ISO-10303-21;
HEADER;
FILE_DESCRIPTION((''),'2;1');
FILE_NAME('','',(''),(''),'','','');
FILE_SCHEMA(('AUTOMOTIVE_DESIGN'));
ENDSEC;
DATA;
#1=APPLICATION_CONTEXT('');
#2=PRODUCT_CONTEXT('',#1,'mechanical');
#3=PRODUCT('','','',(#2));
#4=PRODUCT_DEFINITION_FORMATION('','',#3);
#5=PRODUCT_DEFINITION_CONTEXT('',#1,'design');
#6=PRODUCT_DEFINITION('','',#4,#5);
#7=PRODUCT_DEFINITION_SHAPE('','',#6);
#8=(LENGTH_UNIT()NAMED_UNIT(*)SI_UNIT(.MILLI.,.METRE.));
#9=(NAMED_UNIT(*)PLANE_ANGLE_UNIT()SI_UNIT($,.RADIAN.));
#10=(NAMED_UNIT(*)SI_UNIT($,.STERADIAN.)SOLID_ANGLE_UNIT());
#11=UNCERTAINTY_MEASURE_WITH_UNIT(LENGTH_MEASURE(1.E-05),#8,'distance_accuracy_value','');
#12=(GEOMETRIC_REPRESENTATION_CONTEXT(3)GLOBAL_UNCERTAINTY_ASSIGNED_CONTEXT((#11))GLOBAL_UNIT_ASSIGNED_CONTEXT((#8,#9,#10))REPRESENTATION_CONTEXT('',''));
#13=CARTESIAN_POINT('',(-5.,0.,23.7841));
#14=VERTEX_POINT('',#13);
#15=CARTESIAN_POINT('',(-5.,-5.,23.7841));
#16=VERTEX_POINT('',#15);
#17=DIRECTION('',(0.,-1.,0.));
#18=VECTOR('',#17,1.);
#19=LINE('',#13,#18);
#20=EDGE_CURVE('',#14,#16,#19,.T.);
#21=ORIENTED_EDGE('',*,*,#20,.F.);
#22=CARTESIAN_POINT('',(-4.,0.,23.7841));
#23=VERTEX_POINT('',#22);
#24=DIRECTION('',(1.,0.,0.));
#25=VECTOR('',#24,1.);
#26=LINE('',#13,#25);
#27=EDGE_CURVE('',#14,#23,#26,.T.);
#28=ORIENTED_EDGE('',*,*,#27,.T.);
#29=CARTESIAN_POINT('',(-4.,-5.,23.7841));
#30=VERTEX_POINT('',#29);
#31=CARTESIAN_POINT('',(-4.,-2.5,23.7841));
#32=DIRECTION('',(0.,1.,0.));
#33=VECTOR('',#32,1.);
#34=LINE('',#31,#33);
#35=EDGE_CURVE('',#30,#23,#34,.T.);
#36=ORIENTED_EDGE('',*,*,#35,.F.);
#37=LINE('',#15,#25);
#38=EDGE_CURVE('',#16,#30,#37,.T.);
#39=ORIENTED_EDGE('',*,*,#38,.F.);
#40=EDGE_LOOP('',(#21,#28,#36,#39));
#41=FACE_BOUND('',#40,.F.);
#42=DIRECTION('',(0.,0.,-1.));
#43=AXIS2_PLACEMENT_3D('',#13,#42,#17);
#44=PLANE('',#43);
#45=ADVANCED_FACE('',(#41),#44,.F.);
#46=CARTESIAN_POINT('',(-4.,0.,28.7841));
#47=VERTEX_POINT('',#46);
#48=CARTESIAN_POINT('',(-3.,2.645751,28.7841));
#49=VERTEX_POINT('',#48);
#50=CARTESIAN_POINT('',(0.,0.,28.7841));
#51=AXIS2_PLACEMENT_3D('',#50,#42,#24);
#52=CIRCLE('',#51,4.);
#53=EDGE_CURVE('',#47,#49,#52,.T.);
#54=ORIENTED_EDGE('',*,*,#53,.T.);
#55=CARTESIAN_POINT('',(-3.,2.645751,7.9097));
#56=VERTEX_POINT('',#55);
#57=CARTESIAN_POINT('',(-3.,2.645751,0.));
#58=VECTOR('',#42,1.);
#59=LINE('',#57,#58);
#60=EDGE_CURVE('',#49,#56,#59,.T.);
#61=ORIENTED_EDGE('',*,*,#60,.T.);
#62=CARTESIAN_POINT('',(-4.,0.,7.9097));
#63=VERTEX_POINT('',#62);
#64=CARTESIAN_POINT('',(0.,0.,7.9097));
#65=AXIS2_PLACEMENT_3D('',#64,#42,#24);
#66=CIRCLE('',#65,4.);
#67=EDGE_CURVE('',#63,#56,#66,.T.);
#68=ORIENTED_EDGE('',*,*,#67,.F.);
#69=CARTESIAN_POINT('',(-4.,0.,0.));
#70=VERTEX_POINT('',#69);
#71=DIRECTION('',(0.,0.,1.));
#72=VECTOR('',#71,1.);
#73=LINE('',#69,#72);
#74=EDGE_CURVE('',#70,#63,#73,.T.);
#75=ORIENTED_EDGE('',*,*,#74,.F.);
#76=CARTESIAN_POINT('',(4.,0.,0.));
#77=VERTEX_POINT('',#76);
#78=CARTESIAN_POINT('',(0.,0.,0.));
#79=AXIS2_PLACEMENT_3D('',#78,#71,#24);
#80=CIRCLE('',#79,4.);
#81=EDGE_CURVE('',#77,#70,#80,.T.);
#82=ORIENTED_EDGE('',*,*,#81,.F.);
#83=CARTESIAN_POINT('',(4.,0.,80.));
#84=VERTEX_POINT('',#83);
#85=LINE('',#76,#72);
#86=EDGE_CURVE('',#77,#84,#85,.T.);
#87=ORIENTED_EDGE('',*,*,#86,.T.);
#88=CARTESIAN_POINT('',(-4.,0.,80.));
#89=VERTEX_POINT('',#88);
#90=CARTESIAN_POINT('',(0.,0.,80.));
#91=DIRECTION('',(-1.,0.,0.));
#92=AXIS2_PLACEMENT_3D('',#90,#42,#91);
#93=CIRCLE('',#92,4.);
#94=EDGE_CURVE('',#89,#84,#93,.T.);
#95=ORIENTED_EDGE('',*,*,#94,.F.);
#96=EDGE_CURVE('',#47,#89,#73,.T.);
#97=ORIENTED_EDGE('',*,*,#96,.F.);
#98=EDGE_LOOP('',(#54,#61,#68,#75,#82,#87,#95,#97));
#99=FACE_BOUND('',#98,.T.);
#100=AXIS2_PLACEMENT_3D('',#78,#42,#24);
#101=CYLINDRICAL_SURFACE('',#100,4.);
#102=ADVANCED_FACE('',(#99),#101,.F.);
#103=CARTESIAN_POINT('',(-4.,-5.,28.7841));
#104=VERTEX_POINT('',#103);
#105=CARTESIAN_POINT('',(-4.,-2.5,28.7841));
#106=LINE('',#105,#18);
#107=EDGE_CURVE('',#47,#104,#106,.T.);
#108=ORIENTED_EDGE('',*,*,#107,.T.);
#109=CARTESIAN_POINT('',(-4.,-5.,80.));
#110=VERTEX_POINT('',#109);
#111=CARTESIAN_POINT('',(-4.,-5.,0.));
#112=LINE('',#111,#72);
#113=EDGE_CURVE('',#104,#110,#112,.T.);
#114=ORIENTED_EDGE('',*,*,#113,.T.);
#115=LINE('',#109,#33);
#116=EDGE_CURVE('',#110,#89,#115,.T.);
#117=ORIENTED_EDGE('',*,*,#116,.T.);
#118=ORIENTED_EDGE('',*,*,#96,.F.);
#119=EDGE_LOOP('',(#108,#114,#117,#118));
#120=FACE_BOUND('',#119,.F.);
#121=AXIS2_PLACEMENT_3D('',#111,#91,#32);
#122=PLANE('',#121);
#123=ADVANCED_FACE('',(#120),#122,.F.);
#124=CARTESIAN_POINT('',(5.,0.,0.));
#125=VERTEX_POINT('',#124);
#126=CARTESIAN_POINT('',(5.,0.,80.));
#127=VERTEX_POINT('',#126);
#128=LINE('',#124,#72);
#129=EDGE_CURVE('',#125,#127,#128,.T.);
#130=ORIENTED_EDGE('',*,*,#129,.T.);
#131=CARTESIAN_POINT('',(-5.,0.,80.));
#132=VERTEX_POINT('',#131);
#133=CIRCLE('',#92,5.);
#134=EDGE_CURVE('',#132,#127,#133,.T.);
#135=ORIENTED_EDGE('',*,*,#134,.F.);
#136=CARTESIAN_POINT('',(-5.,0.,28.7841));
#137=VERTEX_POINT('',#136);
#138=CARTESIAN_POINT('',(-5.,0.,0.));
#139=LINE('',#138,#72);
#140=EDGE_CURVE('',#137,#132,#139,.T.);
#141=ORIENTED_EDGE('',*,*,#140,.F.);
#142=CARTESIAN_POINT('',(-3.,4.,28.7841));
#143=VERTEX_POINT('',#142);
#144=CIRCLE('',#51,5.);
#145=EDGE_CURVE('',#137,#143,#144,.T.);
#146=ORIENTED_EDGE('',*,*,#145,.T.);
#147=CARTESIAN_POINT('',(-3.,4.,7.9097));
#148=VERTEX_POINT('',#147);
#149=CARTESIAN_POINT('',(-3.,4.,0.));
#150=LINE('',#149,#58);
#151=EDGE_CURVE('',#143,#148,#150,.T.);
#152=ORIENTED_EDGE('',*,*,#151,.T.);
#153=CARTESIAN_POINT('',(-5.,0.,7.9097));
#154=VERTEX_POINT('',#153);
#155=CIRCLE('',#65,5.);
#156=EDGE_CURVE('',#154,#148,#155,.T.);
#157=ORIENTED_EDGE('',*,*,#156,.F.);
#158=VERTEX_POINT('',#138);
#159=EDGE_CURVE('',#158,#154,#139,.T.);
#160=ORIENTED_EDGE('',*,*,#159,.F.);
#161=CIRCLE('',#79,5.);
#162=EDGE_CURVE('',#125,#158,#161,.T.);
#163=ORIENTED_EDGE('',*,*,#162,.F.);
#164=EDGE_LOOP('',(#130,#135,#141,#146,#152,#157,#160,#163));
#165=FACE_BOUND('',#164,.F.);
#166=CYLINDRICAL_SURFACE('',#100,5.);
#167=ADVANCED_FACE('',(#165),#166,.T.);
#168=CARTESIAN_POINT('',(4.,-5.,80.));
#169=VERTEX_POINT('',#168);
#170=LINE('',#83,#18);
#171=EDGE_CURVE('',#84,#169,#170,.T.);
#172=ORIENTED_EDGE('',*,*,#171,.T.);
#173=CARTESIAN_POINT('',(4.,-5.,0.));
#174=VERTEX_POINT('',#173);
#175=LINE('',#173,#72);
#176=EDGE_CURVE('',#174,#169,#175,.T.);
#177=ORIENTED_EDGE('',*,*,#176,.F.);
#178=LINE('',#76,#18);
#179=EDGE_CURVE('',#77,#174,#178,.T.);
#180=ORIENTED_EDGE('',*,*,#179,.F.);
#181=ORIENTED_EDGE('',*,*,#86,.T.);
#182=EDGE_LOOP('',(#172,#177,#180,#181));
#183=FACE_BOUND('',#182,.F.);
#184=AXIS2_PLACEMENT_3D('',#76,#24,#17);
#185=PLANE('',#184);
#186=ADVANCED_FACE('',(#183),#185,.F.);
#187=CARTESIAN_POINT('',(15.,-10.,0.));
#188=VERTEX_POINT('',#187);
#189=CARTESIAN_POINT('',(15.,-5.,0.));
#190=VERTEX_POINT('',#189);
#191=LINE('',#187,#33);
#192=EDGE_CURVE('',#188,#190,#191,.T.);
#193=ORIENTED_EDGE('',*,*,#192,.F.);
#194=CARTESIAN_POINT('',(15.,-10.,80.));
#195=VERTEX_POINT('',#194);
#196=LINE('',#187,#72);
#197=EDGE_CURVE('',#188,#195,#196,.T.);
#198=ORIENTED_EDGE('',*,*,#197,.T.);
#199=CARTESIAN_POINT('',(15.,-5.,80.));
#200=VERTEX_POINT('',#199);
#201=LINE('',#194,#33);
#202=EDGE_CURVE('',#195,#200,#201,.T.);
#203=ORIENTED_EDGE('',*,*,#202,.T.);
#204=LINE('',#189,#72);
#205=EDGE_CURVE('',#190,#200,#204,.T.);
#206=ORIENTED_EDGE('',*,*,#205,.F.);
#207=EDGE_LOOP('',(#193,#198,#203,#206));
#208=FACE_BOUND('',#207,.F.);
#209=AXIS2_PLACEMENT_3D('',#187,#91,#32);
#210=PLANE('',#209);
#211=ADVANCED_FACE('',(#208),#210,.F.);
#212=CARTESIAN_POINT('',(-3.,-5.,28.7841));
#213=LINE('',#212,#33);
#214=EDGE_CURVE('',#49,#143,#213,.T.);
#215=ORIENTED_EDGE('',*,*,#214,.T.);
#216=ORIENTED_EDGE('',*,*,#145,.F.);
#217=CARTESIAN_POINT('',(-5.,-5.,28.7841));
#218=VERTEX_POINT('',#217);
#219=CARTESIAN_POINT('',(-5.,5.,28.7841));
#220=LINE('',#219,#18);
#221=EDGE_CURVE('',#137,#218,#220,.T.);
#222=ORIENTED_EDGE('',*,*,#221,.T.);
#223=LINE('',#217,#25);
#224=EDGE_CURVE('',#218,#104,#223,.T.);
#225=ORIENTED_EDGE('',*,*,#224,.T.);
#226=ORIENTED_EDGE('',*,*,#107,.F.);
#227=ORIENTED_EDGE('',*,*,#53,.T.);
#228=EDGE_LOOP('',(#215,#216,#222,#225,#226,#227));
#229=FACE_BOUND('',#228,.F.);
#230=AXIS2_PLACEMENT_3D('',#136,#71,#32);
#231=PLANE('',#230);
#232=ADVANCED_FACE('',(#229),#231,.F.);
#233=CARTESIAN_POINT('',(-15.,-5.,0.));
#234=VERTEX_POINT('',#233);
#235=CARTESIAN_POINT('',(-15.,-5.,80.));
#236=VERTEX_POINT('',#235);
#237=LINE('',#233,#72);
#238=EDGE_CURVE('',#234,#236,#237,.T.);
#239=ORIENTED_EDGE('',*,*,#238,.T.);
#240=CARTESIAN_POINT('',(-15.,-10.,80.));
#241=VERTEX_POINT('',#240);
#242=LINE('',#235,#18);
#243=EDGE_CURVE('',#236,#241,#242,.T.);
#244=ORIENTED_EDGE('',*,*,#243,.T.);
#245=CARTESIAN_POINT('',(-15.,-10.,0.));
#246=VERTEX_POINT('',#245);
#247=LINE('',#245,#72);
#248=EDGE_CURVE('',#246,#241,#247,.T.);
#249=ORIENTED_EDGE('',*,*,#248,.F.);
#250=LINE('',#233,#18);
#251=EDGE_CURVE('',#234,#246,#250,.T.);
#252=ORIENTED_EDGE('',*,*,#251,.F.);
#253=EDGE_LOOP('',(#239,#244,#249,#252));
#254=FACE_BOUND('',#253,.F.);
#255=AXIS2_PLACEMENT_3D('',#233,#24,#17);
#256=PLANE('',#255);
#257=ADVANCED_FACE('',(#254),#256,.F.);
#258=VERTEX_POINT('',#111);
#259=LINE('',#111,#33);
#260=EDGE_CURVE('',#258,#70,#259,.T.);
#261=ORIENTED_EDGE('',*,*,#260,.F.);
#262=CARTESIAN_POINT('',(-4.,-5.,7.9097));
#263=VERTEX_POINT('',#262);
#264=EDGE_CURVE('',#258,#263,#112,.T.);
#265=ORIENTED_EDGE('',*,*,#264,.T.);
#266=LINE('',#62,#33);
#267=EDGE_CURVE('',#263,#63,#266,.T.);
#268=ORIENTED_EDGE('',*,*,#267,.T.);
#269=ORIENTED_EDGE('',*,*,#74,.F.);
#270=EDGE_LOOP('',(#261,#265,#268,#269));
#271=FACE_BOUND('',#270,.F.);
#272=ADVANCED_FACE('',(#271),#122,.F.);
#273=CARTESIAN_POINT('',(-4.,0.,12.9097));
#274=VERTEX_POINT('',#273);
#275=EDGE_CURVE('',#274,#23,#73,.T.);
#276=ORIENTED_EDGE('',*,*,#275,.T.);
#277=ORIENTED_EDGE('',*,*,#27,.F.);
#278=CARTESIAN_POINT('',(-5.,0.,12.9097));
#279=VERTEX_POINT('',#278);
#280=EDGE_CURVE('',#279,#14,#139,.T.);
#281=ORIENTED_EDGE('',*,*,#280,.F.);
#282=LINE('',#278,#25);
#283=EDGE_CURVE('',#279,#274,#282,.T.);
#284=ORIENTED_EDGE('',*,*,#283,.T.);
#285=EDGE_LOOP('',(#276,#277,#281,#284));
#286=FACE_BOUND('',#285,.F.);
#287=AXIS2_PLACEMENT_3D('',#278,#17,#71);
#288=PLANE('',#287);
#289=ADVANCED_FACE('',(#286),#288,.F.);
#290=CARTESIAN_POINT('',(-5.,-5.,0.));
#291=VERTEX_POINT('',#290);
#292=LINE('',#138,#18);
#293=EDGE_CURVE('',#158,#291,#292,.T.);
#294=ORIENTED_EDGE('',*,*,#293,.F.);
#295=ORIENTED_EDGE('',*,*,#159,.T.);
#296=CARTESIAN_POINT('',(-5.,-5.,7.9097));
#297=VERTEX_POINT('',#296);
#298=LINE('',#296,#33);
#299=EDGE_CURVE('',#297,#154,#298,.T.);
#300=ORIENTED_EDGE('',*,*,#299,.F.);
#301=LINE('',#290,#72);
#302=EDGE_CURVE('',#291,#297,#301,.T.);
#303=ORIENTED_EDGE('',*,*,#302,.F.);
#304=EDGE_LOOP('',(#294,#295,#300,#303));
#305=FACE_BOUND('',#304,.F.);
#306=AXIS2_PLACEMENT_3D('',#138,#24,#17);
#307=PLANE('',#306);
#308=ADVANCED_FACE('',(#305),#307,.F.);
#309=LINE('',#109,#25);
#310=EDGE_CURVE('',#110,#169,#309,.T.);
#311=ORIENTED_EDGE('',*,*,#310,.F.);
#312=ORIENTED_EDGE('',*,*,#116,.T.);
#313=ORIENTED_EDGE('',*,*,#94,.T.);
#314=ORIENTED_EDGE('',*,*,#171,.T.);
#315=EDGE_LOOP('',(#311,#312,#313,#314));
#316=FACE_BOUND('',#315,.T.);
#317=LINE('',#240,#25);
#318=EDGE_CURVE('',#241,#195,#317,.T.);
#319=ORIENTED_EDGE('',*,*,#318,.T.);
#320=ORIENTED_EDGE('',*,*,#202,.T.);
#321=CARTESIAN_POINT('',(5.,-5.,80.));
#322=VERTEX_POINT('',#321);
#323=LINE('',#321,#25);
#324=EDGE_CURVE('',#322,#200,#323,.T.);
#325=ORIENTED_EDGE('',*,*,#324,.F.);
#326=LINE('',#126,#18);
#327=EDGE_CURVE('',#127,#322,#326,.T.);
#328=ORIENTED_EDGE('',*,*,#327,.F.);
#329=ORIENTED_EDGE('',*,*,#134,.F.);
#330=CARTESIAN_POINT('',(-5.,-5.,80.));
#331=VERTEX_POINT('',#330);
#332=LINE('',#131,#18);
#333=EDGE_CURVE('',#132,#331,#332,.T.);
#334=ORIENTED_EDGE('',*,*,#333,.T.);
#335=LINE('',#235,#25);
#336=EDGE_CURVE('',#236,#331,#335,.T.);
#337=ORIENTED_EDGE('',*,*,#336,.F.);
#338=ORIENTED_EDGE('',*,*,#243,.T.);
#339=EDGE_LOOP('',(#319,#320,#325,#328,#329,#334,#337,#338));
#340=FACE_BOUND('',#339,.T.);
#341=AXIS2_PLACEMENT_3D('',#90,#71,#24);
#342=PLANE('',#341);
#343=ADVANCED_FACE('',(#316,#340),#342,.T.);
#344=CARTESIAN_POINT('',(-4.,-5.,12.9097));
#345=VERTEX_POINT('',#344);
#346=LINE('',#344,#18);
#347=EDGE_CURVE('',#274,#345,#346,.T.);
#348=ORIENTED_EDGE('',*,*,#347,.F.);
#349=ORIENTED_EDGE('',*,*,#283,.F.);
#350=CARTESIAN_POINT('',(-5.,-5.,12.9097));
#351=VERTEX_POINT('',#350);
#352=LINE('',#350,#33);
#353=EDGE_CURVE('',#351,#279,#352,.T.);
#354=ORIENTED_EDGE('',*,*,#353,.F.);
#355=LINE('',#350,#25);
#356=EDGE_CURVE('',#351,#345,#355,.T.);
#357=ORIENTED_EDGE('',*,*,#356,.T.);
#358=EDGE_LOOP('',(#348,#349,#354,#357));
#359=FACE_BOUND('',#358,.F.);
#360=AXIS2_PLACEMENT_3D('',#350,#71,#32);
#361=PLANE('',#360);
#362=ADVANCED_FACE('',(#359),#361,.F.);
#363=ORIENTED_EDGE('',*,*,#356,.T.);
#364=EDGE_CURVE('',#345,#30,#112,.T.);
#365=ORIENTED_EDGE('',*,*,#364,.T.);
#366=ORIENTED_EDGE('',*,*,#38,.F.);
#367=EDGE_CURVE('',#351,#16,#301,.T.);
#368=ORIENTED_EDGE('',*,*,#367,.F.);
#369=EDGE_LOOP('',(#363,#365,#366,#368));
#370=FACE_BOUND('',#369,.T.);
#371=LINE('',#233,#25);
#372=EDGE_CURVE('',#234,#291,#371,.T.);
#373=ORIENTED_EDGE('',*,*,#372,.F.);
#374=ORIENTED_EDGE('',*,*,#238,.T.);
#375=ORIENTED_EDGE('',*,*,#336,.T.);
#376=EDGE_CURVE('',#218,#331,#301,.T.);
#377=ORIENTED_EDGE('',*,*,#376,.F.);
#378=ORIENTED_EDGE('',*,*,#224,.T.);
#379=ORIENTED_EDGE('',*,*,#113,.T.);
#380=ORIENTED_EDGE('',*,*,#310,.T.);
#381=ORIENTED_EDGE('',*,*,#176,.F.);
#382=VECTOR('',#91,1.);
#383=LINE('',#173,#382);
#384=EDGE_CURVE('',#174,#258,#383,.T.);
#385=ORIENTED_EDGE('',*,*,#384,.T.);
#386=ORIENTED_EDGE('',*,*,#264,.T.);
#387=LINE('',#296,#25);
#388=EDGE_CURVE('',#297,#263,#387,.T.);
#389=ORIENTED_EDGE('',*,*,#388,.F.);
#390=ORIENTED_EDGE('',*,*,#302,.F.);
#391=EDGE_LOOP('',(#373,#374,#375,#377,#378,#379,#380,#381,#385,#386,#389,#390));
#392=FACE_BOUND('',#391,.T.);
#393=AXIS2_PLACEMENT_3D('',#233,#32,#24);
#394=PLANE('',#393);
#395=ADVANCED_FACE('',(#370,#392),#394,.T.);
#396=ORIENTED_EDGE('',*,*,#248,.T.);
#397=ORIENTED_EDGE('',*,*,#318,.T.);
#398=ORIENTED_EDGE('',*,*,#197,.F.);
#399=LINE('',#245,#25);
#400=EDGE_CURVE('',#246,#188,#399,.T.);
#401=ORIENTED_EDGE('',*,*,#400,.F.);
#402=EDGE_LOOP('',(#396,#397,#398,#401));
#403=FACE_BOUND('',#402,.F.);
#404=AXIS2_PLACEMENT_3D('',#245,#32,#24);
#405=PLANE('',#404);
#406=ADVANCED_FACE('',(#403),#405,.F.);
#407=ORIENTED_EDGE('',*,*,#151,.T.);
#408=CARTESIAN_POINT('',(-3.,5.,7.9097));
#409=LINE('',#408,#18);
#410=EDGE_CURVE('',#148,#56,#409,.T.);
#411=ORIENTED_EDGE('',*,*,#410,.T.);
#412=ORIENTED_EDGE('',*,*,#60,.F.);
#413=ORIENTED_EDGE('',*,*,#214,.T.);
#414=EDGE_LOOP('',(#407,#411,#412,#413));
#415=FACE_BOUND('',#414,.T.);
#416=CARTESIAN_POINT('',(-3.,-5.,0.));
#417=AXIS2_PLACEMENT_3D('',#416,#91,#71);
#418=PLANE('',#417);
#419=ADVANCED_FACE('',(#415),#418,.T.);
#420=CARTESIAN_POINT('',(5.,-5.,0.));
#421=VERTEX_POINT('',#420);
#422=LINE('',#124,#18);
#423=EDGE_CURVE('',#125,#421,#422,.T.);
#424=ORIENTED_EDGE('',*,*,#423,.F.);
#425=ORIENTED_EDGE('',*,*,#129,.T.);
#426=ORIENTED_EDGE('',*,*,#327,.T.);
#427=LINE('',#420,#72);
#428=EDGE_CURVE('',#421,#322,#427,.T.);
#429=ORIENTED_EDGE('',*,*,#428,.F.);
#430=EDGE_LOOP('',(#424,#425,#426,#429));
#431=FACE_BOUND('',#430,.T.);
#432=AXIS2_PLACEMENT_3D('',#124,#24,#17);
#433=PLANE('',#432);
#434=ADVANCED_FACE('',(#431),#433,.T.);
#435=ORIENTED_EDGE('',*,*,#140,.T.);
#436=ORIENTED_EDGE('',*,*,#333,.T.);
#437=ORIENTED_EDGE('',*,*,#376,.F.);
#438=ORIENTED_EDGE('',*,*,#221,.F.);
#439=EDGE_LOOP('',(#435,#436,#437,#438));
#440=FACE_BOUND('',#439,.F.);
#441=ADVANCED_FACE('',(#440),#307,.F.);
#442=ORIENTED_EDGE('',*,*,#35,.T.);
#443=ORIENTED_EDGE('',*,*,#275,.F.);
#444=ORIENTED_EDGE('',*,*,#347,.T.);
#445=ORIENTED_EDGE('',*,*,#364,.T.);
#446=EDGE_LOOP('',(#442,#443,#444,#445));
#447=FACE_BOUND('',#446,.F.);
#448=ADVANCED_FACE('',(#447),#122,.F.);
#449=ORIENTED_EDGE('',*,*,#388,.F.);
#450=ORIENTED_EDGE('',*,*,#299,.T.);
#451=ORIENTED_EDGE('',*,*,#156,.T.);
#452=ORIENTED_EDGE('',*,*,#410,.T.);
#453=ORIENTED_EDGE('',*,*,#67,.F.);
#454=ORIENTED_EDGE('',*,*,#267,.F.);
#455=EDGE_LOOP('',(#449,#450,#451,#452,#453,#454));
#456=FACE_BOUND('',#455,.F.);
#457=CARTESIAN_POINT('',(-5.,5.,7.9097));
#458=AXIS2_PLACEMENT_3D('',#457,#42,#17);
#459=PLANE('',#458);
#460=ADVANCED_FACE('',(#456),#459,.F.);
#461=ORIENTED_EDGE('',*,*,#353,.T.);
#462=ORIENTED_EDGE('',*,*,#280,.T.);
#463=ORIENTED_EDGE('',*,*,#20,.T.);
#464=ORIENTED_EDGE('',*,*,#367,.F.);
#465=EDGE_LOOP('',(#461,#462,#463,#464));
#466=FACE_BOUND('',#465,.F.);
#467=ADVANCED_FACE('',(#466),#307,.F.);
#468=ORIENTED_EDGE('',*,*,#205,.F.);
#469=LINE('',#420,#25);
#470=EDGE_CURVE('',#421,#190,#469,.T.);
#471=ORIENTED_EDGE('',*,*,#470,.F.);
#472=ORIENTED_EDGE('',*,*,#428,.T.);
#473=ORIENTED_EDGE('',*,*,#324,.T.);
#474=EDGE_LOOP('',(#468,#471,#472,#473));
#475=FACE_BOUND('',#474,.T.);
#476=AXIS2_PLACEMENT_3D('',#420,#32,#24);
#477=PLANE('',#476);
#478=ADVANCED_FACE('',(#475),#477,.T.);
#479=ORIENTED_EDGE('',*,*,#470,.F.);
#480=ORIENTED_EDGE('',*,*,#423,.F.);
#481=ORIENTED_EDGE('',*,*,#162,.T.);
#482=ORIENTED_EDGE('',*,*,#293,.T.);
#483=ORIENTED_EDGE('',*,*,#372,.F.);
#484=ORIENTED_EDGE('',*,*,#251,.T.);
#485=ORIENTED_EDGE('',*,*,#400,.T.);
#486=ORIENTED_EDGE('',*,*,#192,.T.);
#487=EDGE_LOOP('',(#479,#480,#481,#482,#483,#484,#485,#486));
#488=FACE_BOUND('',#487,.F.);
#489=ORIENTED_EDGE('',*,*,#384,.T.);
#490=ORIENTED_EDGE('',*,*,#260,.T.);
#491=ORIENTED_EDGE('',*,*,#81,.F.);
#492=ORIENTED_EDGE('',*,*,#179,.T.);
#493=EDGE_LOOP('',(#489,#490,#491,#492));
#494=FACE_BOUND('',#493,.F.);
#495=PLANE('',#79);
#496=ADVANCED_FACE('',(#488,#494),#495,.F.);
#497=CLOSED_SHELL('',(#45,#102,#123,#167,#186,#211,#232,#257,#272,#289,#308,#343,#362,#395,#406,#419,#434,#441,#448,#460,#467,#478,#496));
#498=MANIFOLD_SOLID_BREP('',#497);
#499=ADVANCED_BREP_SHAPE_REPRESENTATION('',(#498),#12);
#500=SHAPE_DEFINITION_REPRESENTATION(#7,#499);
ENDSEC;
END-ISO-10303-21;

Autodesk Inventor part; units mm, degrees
ref_plane "YZ Plane" through (0, 0, 0) normal (1, 0, 0) x (0, 1, 0)
ref_plane "XZ Plane" through (0, 0, 0) normal (0, 1, 0) x (-1, 0, 0)
ref_plane "XY Plane" through (0, 0, 0) normal (0, 0, 1) x (1, 0, 0)
sketch "Эскиз9" plane through (0, 0, 0) normal (0, 0, 1) x (1, 0, 0)
  line L0 (-15, -5) -> (-5, -5)
  line L1 (0, -5) -> (-5, -5)
  line L2 (5, -5) -> (0, -5)
  line L3 (5, -5) -> (15, -5)
  line L4 (-15, -10) -> (15, -10)
  line L5 (-15, -5) -> (-15, -10)
  line L6 (-15, -5) -> (15, -5)
  line L7 (15, -10) -> (15, -5)
  line L8 (15, -10) -> (-15, -10)
  line L9 (-15, -5) -> (-15, -10)
extrude "Выдавливание9" [suppressed]
sketch "Эскиз8" plane through (0, 0, 0) normal (0, 0, 1) x (1, 0, 0)
  line L0 (0, 5) -> (0, -5)
  line L1 (-5, 0) -> (5, 0)
  arc A0 (5, 0) -> (-5, 0) centre (0, 0) ccw
  line L2 (-5, 0) -> (-5, -5)
  line L3 (5, 0) -> (5, -5)
  line L4 (0, -5) -> (-4, -5)
  line L5 (4, -5) -> (0, -5)
  line L6 (-4, -5) -> (-4, 0)
  arc A1 (4, 0) -> (-4, 0) centre (0, 0) ccw
  line L7 (4, 0) -> (4, -5)
  line L8 (-5, -5) -> (-4, -5)
  line L9 (4, -5) -> (5, -5)
  line L10 (-15, -5) -> (-5, -5)
  line L11 (0, -5) -> (-5, -5)
  line L12 (5, -5) -> (0, -5)
  line L13 (5, -5) -> (15, -5)
  line L14 (-15, -10) -> (15, -10)
  line L15 (-15, -5) -> (-15, -10)
  line L16 (-15, -5) -> (15, -5)
  line L17 (15, -10) -> (15, -5)
  line L18 (15, -10) -> (-15, -10)
  line L19 (-15, -5) -> (-15, -10)
  dimension "d32" = 10
  dimension "d33" = 5
  dimension "d34" = 5
  dimension "d52" = 1
extrude "Выдавливание14" add sketch "Эскиз8" along normal blind 80
sketch "Эскиз10" plane through (-5, -5, 0) normal (-1, 0, 0) x (0, 0, 1)
  line L0 (0, 10) -> (80, 10) projected
  line L1 (0, 0) -> (80, 0) projected
  line L2 (0, 5) -> (80, 5) projected
  line L3 (7.9097, 10) -> (7.9097, 0)
  line L4 (0, 0) -> (80, 0) projected
  line L5 (12.9097, 0) -> (12.9097, 5)
  line L6 (7.9097, 0) -> (12.9097, 0)
  line L7 (12.9097, 5) -> (23.7841, 5)
  line L8 (23.7841, 0) -> (12.9097, 0)
  line L9 (23.7841, 5) -> (23.7841, 0)
  line L10 (7.9097, 10) -> (28.7841, 10)
  line L11 (28.7841, 0) -> (28.7841, 10)
  line L12 (28.7841, 0) -> (23.7841, 0)
  dimension "d64" = 5
  dimension "d65" = 5
extrude "Выдавливание15" cut sketch "Эскиз10" against normal blind 2 contours L0 L11 L2 L3 | L2 L5 L1 L3 | L11 L1 L9 L2
extrude "Выдавливание16" cut sketch "Эскиз8" along normal blind 80 contours A1 L1 L0 | L0 L1 A1 | L1 L7 L5 L0 | L0 L4 L6 L1
equation "\"d32\" = diametr_"
equation "\"d64\" = diametr_ruchka_"
equation "\"d65\" = diametr_ruchka_"
equation "\"diametr_\" = 10"
equation "\"diametr_ruchka_\" = 5"
properties part number "lw_5_корпус"
